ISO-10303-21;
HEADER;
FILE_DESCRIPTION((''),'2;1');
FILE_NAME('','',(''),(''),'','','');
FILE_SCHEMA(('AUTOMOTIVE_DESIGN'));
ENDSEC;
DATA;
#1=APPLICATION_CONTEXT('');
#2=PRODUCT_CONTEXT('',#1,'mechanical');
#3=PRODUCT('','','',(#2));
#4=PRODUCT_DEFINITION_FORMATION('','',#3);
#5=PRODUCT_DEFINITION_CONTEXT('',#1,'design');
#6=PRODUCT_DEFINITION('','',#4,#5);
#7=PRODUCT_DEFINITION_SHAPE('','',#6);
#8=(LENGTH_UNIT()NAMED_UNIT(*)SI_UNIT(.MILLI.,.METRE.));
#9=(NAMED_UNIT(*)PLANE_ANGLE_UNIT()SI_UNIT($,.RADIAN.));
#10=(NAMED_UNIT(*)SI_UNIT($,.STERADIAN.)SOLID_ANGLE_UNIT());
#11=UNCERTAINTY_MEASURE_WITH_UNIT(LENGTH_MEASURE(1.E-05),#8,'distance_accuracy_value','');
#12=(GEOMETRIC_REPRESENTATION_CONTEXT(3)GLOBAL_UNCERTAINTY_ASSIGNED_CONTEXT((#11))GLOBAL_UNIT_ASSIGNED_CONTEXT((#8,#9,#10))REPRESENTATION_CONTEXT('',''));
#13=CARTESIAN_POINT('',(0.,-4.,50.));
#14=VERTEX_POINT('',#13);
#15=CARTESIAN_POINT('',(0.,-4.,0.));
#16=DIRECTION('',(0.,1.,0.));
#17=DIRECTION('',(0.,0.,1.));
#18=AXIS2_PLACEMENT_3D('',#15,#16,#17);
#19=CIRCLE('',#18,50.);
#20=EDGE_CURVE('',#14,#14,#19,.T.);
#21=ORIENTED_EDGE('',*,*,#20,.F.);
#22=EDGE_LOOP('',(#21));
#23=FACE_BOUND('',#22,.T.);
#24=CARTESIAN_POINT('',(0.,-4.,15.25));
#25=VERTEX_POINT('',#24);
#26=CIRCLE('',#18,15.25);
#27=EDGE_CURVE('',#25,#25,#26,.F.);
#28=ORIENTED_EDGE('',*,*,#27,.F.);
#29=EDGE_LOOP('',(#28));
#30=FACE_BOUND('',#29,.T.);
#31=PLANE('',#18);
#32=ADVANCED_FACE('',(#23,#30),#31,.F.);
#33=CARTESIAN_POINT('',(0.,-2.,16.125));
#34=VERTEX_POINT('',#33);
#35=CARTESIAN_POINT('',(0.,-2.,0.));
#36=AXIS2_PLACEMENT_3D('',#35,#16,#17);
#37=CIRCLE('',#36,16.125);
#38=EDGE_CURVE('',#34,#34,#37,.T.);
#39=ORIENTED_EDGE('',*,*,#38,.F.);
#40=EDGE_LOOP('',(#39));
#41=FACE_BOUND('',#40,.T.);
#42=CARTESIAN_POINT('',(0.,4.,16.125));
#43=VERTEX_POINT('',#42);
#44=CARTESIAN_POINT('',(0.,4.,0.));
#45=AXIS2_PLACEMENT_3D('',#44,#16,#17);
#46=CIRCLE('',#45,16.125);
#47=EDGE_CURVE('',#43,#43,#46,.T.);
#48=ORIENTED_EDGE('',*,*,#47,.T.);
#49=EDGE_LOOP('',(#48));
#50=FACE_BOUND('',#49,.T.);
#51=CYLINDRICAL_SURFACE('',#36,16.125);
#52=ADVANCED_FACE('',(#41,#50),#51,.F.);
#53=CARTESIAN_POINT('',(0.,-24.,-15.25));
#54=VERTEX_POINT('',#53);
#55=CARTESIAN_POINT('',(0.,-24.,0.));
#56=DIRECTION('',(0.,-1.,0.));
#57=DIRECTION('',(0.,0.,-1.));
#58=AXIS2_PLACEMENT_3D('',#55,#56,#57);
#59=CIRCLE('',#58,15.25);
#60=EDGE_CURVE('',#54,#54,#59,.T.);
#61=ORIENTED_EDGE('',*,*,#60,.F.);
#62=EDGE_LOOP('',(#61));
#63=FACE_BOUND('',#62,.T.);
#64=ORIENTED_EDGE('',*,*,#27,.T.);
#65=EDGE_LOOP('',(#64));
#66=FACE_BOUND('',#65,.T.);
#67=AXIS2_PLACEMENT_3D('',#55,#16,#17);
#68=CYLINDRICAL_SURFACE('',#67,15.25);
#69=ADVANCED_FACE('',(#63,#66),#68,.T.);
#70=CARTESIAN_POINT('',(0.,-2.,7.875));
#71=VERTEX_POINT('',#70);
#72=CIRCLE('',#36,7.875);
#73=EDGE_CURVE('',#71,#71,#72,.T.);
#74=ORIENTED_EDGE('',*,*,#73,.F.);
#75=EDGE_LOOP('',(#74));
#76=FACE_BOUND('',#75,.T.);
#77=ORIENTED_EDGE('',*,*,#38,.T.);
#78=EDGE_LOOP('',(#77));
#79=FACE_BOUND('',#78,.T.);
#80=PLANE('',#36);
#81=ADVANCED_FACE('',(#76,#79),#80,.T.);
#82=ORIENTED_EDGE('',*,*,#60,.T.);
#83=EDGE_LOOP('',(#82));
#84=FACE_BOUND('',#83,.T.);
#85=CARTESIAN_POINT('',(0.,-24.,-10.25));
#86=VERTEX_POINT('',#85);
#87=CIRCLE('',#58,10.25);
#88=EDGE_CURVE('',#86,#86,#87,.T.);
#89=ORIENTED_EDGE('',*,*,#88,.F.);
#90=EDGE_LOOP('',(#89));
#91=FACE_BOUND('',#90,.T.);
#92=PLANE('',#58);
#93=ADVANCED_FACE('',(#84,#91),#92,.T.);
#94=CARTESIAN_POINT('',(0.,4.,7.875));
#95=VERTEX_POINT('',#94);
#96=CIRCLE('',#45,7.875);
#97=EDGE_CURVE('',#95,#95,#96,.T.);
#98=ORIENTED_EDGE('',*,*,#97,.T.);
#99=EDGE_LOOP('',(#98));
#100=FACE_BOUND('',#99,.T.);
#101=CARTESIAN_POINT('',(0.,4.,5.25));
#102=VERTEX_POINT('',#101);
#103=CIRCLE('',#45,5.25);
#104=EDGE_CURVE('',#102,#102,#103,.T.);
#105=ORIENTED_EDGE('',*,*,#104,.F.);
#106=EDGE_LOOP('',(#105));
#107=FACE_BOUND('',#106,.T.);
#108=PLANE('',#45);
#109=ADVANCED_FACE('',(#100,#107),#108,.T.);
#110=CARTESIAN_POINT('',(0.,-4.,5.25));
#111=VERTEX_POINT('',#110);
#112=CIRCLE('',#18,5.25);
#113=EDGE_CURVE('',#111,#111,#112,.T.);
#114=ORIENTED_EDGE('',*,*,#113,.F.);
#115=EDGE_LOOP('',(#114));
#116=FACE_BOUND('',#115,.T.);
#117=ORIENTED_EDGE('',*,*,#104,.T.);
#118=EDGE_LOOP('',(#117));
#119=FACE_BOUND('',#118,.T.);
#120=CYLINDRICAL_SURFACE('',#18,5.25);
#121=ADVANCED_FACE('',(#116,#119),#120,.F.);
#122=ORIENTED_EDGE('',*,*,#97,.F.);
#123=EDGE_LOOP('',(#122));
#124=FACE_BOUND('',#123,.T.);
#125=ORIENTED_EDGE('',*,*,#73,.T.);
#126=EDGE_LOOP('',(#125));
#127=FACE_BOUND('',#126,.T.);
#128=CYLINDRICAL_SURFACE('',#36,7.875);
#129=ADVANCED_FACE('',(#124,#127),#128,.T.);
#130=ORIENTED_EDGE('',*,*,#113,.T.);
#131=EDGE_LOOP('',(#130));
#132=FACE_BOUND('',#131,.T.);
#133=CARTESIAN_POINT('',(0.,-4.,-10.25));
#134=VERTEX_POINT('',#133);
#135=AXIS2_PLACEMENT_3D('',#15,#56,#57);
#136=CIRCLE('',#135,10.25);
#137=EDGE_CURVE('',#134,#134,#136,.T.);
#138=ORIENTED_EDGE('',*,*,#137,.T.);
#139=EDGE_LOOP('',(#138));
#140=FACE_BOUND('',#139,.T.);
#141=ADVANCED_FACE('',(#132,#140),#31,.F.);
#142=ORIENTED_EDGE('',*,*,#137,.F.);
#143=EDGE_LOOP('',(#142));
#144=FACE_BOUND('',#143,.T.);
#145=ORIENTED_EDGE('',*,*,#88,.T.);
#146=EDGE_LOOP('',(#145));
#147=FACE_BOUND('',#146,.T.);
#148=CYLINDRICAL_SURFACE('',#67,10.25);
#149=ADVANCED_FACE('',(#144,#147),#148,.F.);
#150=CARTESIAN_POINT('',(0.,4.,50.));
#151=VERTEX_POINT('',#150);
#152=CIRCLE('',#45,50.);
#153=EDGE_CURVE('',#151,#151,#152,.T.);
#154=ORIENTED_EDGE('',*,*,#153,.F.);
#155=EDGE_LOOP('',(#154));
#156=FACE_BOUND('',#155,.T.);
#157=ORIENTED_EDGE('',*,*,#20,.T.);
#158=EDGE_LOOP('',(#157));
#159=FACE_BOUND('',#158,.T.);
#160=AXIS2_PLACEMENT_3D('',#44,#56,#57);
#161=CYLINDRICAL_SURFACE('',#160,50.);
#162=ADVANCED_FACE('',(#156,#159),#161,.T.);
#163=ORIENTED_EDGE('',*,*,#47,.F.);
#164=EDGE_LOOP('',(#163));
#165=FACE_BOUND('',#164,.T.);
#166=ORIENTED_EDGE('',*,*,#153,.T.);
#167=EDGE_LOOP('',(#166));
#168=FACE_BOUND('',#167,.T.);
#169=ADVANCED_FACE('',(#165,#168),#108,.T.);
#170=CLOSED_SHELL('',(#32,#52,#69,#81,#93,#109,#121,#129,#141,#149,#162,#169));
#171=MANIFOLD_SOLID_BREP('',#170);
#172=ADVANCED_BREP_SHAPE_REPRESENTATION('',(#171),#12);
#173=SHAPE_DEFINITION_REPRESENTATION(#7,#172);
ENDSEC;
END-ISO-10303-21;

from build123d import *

# Parameters (mm, degrees)
SKETCH1_R           = 50
BOSS_EXTRUDE1_DEPTH = 4
SKETCH2_R           = 16.125
SKETCH2_R_2         = 7.875
CUT_EXTRUDE1_DEPTH  = 6
SKETCH3_R           = 5.25
CUT_EXTRUDE2_DEPTH  = 72.161787499
SKETCH4_R           = 15.25
SKETCH4_R_2         = 10.25
BOSS_EXTRUDE2_DEPTH = 20


with BuildPart() as part:
    # Sketch1 → Boss-Extrude1 (new, symmetric)
    with BuildSketch(Plane(origin=(0, 0, 0), x_dir=(1, 0, 0), z_dir=(0, 1, 0))):
        with Locations(Location((0, 0, 0), (0, 0, 270))):
            Circle(SKETCH1_R)
    extrude(amount=BOSS_EXTRUDE1_DEPTH, both=True)

    # Sketch2 → Cut-Extrude1 (cut)
    with BuildSketch(Plane(origin=(0, 4, 0), x_dir=(1, 0, 0), z_dir=(0, 1, 0))):
        with Locations(Location((0, 0, 0), (0, 0, 270))):
            Circle(SKETCH2_R)
        with Locations(Location((0, 0, 0), (0, 0, 270))):
            Circle(SKETCH2_R_2, mode=Mode.SUBTRACT)
    extrude(amount=-CUT_EXTRUDE1_DEPTH, mode=Mode.SUBTRACT)

    # Sketch3 → Cut-Extrude2 (cut, through all)
    with BuildSketch(Plane(origin=(0, 4, 0), x_dir=(1, 0, 0), z_dir=(0, 1, 0))):
        with Locations(Location((0, 0, 0), (0, 0, 270))):
            Circle(SKETCH3_R)
    extrude(amount=-CUT_EXTRUDE2_DEPTH, mode=Mode.SUBTRACT)

    # Sketch4 → Boss-Extrude2 (add)
    with BuildSketch(Plane.XZ.offset(4)):
        with Locations(Location((0, 0, 0), (0, 0, 90))):
            Circle(SKETCH4_R)
        with Locations(Location((0, 0, 0), (0, 0, 270))):
            Circle(SKETCH4_R_2, mode=Mode.SUBTRACT)
    extrude(amount=BOSS_EXTRUDE2_DEPTH)


solid = part.part
